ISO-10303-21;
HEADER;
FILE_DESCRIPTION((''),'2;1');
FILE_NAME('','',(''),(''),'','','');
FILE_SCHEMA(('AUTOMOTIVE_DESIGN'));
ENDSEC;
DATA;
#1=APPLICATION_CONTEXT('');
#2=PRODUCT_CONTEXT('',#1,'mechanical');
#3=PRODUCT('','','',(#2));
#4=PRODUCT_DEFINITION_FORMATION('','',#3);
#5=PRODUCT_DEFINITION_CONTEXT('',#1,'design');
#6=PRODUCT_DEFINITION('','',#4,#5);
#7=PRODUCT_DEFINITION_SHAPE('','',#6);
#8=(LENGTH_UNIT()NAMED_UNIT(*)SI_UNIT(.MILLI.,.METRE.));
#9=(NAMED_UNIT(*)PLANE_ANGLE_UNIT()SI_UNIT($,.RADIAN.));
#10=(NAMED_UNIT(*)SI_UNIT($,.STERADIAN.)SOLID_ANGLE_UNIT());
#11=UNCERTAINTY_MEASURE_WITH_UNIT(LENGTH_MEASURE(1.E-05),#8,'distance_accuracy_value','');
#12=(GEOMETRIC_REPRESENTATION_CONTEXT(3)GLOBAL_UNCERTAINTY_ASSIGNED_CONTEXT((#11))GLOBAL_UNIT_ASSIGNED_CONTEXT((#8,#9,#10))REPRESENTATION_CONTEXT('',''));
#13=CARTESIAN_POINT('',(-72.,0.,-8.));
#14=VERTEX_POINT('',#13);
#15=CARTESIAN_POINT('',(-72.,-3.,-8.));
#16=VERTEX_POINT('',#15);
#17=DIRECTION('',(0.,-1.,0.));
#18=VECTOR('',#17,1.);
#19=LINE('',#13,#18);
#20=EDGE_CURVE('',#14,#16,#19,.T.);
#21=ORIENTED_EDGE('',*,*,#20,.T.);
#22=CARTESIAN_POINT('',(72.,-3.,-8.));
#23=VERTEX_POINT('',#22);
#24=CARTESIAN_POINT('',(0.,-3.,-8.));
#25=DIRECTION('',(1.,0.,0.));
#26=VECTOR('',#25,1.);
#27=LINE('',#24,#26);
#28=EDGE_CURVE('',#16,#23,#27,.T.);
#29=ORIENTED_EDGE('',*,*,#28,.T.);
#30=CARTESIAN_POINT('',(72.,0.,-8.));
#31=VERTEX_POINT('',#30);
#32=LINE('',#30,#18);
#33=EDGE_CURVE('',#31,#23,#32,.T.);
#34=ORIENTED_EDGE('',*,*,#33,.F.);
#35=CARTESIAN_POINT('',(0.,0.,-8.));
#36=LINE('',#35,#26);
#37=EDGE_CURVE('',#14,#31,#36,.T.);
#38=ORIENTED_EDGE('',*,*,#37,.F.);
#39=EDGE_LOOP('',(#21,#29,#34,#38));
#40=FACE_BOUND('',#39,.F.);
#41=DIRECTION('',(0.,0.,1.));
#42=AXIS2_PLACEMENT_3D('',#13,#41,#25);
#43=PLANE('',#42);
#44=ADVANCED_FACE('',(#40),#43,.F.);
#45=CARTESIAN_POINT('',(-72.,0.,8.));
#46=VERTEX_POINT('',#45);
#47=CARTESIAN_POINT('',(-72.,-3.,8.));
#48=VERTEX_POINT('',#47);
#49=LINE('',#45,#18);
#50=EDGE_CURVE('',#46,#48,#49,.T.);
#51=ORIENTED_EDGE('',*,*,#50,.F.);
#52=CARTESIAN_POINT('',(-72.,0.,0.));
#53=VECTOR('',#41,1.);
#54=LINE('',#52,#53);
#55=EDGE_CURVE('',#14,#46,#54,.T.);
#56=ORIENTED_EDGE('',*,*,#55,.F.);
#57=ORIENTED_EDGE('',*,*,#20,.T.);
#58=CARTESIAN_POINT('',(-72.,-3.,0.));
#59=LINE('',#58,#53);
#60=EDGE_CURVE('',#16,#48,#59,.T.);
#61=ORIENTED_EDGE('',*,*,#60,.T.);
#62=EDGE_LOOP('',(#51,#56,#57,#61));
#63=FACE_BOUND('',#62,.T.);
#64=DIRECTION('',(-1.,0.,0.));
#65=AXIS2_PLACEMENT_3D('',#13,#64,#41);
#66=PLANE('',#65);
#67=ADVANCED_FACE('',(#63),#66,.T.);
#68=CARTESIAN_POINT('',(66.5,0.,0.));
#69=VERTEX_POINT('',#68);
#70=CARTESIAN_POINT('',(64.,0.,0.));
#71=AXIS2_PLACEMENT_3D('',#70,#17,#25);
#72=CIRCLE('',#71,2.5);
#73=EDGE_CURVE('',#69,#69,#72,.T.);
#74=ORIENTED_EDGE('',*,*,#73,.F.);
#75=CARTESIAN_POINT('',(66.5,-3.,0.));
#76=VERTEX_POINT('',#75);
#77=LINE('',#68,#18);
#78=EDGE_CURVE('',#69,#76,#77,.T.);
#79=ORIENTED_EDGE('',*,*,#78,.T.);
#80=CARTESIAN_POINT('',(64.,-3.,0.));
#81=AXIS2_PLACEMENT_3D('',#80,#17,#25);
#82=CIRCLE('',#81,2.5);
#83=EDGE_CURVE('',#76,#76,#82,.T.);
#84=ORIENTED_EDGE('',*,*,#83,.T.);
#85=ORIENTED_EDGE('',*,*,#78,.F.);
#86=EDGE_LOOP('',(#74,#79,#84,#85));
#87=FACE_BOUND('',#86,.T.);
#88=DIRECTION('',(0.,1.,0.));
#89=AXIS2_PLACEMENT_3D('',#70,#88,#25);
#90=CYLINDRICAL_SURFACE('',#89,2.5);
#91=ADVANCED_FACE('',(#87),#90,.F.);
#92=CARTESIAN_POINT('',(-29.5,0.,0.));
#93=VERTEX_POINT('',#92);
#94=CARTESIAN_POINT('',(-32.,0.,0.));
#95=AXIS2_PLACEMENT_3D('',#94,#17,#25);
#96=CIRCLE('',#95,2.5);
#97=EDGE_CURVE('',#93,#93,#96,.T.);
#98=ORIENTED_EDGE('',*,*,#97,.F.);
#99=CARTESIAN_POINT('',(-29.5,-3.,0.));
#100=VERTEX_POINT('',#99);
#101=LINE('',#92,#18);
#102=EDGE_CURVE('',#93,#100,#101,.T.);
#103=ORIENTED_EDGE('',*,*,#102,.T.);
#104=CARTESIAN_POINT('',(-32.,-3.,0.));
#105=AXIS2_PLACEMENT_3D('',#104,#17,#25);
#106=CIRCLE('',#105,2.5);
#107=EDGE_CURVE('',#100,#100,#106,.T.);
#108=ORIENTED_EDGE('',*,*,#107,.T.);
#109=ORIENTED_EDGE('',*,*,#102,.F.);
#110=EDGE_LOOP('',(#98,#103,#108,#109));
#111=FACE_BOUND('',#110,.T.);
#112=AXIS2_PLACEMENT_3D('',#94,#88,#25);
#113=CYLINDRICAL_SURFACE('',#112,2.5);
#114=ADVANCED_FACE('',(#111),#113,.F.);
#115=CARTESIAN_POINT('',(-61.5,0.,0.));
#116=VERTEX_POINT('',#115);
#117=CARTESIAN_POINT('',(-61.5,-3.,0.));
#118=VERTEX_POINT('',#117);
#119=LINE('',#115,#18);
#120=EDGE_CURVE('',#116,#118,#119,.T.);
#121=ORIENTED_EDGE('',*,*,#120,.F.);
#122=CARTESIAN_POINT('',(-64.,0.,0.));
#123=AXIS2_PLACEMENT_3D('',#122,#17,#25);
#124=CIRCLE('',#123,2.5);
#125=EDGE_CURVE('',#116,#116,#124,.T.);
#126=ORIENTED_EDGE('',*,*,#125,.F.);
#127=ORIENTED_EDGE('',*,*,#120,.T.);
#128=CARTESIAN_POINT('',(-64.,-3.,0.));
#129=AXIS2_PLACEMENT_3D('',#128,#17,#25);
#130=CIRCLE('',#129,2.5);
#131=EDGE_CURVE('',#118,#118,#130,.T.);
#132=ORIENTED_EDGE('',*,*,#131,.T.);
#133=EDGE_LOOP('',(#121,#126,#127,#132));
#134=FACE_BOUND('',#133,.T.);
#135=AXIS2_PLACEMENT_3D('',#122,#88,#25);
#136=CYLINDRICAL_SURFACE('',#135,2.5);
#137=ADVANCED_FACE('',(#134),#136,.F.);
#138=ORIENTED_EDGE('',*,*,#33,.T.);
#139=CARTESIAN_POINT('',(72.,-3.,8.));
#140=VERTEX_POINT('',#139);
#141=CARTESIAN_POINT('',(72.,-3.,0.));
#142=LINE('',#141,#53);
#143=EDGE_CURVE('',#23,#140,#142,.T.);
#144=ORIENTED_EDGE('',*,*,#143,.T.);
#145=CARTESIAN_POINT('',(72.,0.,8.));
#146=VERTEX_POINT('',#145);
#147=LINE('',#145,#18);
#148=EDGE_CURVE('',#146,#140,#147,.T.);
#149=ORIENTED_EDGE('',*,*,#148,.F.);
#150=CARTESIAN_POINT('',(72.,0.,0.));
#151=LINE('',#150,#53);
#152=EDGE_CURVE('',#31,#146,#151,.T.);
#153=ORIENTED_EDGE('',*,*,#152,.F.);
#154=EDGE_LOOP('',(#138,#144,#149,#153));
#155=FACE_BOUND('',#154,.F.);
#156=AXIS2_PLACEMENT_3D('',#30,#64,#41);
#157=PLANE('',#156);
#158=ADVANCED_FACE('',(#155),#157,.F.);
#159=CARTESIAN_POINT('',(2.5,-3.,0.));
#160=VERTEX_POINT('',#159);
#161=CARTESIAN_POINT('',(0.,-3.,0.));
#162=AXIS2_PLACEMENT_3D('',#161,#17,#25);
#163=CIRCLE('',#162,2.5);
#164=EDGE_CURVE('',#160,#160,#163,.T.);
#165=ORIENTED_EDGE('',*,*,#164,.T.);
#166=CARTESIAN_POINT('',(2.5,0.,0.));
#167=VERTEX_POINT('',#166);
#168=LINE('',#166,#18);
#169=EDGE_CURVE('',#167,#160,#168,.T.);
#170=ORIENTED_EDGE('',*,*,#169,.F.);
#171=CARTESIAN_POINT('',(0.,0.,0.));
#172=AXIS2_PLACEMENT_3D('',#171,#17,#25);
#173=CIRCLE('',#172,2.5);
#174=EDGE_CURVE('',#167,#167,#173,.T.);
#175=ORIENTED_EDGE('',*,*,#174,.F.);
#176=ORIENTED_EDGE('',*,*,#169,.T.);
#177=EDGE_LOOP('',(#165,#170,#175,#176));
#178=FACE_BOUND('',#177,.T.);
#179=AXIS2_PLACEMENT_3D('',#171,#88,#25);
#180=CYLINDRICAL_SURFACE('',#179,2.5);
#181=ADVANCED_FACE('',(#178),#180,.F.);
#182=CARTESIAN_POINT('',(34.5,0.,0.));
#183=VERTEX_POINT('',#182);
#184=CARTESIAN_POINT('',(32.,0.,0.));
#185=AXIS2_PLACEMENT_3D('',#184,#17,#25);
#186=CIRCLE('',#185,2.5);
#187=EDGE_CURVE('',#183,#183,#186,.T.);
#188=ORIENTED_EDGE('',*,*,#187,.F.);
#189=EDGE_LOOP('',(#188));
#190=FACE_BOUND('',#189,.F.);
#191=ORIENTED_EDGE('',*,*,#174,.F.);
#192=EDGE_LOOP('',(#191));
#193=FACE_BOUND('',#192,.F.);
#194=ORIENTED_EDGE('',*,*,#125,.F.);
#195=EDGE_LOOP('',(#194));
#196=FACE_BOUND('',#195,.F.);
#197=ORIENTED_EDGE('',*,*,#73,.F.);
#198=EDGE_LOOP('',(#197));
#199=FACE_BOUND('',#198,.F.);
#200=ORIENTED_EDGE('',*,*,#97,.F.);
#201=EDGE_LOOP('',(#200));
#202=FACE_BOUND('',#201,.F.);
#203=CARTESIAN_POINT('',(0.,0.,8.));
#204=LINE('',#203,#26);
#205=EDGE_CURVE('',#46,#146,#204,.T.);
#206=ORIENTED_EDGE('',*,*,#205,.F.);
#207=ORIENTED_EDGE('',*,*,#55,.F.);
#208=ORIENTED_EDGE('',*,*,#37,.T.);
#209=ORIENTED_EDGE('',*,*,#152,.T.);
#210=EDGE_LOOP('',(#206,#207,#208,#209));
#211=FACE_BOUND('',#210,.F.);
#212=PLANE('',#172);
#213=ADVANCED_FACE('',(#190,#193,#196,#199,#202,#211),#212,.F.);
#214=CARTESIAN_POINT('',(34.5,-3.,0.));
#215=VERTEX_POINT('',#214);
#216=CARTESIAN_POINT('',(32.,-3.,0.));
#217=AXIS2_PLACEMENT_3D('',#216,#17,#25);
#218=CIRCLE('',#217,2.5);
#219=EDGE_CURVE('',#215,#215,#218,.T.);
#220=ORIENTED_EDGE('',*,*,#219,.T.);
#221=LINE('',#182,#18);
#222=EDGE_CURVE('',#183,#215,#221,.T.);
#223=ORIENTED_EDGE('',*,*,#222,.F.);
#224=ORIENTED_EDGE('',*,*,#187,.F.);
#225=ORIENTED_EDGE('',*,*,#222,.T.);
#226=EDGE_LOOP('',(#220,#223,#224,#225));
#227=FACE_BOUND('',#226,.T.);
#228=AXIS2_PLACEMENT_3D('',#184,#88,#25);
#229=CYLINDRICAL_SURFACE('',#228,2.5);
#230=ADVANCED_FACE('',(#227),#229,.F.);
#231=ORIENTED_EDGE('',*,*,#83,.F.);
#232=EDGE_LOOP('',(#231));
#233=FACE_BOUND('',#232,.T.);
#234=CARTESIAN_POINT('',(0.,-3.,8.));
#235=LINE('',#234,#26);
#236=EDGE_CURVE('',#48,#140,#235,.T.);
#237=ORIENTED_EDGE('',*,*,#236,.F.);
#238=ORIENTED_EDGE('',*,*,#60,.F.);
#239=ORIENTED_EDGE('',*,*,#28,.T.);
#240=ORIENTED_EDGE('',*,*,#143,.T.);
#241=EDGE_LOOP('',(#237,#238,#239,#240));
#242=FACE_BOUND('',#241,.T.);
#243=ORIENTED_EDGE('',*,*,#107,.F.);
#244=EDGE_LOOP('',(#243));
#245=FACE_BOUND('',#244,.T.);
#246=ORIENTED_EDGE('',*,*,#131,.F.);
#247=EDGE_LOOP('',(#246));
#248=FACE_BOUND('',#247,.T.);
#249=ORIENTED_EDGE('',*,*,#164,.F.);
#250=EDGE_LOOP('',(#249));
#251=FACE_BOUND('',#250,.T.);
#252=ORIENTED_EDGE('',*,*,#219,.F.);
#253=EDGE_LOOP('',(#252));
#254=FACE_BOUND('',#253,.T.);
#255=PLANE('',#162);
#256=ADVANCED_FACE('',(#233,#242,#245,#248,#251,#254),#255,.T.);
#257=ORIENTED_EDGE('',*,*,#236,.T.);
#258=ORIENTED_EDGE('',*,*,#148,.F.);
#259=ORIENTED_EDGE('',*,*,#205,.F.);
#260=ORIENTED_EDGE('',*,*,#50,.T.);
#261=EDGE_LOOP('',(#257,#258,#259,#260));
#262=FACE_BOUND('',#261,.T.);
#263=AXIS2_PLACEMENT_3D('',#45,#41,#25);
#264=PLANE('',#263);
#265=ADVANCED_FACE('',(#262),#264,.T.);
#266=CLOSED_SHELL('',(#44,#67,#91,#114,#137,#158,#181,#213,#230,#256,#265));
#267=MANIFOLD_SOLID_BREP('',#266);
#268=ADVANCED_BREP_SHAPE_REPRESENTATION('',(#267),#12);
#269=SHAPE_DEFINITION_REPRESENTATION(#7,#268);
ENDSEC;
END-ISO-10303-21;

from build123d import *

# Parameters (mm, degrees)
F0_W     = 144
F0_H     = 16
F0_R     = 2.5
F1_DEPTH = 3


with BuildPart() as f1:
    # F0 (on Front) → F1 (new body)
    with BuildSketch(Plane.XZ):
        Rectangle(F0_W, F0_H)
        with Locations((-64, 0)):
            Circle(F0_R, mode=Mode.SUBTRACT)
        with Locations((-32, 0)):
            Circle(F0_R, mode=Mode.SUBTRACT)
        Circle(F0_R, mode=Mode.SUBTRACT)
        with Locations((32, 0)):
            Circle(F0_R, mode=Mode.SUBTRACT)
        with Locations((64, 0)):
            Circle(F0_R, mode=Mode.SUBTRACT)
    extrude(amount=F1_DEPTH)


solid = f1.part
